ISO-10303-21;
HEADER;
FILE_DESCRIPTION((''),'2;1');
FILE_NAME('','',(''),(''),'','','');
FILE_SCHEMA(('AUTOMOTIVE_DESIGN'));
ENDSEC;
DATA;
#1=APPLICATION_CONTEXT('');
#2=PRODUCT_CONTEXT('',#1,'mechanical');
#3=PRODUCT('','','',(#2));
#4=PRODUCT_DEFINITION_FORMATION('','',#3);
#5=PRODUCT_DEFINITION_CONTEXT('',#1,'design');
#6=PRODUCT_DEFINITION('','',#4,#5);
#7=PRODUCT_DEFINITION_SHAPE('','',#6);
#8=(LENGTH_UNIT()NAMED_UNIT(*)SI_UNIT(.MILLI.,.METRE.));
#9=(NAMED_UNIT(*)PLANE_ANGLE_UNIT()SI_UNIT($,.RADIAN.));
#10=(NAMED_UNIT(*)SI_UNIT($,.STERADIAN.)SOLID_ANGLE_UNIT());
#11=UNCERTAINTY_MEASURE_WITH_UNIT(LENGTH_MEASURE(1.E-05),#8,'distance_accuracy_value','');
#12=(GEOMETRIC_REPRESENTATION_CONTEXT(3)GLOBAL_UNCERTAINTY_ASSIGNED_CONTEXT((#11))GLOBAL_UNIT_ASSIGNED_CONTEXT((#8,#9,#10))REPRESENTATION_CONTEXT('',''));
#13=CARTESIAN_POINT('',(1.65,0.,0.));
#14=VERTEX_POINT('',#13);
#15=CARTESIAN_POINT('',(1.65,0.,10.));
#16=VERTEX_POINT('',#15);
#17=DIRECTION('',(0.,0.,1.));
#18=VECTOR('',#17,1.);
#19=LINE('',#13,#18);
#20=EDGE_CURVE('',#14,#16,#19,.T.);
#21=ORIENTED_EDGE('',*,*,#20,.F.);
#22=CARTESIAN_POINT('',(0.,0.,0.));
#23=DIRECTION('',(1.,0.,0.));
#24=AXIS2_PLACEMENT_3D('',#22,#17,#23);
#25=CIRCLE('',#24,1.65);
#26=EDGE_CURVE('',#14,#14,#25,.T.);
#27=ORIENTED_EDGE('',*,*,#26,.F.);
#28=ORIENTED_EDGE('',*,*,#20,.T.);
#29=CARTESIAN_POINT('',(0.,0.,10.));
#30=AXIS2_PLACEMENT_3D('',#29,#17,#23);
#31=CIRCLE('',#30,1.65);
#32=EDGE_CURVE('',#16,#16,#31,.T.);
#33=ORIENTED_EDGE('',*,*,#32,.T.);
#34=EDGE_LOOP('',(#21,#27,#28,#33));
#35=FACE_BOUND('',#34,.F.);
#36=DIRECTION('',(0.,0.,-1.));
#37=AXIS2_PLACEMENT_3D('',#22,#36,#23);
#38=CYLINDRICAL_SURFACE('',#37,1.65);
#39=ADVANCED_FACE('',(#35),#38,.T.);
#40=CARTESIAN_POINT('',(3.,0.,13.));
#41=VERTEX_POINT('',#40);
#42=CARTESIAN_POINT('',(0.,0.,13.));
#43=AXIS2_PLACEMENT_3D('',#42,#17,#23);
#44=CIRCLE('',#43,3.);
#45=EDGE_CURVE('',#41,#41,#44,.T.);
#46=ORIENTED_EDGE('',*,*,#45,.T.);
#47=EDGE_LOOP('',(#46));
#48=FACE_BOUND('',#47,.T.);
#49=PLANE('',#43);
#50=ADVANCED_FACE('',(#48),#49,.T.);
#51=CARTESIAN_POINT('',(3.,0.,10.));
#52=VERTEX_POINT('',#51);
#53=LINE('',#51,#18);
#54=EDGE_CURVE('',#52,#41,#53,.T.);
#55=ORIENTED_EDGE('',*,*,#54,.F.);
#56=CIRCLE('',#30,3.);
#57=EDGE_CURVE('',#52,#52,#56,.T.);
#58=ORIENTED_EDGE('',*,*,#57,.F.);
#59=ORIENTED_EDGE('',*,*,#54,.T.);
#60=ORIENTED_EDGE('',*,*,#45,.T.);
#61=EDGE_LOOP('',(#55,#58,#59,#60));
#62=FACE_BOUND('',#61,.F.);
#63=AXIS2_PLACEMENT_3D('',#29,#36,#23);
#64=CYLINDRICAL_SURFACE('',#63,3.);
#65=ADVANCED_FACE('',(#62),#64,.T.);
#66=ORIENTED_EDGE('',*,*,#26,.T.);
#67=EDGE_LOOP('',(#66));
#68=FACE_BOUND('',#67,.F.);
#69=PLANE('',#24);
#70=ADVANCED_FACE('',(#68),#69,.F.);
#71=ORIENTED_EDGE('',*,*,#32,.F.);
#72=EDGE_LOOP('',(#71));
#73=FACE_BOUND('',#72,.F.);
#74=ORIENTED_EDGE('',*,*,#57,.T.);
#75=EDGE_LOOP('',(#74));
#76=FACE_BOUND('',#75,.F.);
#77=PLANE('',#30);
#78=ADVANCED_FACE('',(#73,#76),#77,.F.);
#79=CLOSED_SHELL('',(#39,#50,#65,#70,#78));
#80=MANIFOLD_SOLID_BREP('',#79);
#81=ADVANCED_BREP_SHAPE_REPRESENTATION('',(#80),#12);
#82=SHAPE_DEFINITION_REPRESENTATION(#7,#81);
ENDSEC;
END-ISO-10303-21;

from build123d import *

# Parameters (mm, degrees)
CYLINDER003_R     = 3
CYLINDER003_DEPTH = 3
CYLINDER002_R     = 1.65
CYLINDER002_DEPTH = 10


with BuildPart() as cylinder003:
    # Cylinder003 → Cylinder003 (new body)
    with BuildSketch(Plane.XY.offset(10)):
        Circle(CYLINDER003_R)
    extrude(amount=CYLINDER003_DEPTH)


with BuildPart() as m3_outer_slot:
    # Cylinder002 → Cylinder002 (new body)
    with BuildSketch(Plane.XY):
        Circle(CYLINDER002_R)
    extrude(amount=CYLINDER002_DEPTH)

    # Fusion020006007003002010: union Cylinder003
    add(cylinder003.part)


solid = m3_outer_slot.part
